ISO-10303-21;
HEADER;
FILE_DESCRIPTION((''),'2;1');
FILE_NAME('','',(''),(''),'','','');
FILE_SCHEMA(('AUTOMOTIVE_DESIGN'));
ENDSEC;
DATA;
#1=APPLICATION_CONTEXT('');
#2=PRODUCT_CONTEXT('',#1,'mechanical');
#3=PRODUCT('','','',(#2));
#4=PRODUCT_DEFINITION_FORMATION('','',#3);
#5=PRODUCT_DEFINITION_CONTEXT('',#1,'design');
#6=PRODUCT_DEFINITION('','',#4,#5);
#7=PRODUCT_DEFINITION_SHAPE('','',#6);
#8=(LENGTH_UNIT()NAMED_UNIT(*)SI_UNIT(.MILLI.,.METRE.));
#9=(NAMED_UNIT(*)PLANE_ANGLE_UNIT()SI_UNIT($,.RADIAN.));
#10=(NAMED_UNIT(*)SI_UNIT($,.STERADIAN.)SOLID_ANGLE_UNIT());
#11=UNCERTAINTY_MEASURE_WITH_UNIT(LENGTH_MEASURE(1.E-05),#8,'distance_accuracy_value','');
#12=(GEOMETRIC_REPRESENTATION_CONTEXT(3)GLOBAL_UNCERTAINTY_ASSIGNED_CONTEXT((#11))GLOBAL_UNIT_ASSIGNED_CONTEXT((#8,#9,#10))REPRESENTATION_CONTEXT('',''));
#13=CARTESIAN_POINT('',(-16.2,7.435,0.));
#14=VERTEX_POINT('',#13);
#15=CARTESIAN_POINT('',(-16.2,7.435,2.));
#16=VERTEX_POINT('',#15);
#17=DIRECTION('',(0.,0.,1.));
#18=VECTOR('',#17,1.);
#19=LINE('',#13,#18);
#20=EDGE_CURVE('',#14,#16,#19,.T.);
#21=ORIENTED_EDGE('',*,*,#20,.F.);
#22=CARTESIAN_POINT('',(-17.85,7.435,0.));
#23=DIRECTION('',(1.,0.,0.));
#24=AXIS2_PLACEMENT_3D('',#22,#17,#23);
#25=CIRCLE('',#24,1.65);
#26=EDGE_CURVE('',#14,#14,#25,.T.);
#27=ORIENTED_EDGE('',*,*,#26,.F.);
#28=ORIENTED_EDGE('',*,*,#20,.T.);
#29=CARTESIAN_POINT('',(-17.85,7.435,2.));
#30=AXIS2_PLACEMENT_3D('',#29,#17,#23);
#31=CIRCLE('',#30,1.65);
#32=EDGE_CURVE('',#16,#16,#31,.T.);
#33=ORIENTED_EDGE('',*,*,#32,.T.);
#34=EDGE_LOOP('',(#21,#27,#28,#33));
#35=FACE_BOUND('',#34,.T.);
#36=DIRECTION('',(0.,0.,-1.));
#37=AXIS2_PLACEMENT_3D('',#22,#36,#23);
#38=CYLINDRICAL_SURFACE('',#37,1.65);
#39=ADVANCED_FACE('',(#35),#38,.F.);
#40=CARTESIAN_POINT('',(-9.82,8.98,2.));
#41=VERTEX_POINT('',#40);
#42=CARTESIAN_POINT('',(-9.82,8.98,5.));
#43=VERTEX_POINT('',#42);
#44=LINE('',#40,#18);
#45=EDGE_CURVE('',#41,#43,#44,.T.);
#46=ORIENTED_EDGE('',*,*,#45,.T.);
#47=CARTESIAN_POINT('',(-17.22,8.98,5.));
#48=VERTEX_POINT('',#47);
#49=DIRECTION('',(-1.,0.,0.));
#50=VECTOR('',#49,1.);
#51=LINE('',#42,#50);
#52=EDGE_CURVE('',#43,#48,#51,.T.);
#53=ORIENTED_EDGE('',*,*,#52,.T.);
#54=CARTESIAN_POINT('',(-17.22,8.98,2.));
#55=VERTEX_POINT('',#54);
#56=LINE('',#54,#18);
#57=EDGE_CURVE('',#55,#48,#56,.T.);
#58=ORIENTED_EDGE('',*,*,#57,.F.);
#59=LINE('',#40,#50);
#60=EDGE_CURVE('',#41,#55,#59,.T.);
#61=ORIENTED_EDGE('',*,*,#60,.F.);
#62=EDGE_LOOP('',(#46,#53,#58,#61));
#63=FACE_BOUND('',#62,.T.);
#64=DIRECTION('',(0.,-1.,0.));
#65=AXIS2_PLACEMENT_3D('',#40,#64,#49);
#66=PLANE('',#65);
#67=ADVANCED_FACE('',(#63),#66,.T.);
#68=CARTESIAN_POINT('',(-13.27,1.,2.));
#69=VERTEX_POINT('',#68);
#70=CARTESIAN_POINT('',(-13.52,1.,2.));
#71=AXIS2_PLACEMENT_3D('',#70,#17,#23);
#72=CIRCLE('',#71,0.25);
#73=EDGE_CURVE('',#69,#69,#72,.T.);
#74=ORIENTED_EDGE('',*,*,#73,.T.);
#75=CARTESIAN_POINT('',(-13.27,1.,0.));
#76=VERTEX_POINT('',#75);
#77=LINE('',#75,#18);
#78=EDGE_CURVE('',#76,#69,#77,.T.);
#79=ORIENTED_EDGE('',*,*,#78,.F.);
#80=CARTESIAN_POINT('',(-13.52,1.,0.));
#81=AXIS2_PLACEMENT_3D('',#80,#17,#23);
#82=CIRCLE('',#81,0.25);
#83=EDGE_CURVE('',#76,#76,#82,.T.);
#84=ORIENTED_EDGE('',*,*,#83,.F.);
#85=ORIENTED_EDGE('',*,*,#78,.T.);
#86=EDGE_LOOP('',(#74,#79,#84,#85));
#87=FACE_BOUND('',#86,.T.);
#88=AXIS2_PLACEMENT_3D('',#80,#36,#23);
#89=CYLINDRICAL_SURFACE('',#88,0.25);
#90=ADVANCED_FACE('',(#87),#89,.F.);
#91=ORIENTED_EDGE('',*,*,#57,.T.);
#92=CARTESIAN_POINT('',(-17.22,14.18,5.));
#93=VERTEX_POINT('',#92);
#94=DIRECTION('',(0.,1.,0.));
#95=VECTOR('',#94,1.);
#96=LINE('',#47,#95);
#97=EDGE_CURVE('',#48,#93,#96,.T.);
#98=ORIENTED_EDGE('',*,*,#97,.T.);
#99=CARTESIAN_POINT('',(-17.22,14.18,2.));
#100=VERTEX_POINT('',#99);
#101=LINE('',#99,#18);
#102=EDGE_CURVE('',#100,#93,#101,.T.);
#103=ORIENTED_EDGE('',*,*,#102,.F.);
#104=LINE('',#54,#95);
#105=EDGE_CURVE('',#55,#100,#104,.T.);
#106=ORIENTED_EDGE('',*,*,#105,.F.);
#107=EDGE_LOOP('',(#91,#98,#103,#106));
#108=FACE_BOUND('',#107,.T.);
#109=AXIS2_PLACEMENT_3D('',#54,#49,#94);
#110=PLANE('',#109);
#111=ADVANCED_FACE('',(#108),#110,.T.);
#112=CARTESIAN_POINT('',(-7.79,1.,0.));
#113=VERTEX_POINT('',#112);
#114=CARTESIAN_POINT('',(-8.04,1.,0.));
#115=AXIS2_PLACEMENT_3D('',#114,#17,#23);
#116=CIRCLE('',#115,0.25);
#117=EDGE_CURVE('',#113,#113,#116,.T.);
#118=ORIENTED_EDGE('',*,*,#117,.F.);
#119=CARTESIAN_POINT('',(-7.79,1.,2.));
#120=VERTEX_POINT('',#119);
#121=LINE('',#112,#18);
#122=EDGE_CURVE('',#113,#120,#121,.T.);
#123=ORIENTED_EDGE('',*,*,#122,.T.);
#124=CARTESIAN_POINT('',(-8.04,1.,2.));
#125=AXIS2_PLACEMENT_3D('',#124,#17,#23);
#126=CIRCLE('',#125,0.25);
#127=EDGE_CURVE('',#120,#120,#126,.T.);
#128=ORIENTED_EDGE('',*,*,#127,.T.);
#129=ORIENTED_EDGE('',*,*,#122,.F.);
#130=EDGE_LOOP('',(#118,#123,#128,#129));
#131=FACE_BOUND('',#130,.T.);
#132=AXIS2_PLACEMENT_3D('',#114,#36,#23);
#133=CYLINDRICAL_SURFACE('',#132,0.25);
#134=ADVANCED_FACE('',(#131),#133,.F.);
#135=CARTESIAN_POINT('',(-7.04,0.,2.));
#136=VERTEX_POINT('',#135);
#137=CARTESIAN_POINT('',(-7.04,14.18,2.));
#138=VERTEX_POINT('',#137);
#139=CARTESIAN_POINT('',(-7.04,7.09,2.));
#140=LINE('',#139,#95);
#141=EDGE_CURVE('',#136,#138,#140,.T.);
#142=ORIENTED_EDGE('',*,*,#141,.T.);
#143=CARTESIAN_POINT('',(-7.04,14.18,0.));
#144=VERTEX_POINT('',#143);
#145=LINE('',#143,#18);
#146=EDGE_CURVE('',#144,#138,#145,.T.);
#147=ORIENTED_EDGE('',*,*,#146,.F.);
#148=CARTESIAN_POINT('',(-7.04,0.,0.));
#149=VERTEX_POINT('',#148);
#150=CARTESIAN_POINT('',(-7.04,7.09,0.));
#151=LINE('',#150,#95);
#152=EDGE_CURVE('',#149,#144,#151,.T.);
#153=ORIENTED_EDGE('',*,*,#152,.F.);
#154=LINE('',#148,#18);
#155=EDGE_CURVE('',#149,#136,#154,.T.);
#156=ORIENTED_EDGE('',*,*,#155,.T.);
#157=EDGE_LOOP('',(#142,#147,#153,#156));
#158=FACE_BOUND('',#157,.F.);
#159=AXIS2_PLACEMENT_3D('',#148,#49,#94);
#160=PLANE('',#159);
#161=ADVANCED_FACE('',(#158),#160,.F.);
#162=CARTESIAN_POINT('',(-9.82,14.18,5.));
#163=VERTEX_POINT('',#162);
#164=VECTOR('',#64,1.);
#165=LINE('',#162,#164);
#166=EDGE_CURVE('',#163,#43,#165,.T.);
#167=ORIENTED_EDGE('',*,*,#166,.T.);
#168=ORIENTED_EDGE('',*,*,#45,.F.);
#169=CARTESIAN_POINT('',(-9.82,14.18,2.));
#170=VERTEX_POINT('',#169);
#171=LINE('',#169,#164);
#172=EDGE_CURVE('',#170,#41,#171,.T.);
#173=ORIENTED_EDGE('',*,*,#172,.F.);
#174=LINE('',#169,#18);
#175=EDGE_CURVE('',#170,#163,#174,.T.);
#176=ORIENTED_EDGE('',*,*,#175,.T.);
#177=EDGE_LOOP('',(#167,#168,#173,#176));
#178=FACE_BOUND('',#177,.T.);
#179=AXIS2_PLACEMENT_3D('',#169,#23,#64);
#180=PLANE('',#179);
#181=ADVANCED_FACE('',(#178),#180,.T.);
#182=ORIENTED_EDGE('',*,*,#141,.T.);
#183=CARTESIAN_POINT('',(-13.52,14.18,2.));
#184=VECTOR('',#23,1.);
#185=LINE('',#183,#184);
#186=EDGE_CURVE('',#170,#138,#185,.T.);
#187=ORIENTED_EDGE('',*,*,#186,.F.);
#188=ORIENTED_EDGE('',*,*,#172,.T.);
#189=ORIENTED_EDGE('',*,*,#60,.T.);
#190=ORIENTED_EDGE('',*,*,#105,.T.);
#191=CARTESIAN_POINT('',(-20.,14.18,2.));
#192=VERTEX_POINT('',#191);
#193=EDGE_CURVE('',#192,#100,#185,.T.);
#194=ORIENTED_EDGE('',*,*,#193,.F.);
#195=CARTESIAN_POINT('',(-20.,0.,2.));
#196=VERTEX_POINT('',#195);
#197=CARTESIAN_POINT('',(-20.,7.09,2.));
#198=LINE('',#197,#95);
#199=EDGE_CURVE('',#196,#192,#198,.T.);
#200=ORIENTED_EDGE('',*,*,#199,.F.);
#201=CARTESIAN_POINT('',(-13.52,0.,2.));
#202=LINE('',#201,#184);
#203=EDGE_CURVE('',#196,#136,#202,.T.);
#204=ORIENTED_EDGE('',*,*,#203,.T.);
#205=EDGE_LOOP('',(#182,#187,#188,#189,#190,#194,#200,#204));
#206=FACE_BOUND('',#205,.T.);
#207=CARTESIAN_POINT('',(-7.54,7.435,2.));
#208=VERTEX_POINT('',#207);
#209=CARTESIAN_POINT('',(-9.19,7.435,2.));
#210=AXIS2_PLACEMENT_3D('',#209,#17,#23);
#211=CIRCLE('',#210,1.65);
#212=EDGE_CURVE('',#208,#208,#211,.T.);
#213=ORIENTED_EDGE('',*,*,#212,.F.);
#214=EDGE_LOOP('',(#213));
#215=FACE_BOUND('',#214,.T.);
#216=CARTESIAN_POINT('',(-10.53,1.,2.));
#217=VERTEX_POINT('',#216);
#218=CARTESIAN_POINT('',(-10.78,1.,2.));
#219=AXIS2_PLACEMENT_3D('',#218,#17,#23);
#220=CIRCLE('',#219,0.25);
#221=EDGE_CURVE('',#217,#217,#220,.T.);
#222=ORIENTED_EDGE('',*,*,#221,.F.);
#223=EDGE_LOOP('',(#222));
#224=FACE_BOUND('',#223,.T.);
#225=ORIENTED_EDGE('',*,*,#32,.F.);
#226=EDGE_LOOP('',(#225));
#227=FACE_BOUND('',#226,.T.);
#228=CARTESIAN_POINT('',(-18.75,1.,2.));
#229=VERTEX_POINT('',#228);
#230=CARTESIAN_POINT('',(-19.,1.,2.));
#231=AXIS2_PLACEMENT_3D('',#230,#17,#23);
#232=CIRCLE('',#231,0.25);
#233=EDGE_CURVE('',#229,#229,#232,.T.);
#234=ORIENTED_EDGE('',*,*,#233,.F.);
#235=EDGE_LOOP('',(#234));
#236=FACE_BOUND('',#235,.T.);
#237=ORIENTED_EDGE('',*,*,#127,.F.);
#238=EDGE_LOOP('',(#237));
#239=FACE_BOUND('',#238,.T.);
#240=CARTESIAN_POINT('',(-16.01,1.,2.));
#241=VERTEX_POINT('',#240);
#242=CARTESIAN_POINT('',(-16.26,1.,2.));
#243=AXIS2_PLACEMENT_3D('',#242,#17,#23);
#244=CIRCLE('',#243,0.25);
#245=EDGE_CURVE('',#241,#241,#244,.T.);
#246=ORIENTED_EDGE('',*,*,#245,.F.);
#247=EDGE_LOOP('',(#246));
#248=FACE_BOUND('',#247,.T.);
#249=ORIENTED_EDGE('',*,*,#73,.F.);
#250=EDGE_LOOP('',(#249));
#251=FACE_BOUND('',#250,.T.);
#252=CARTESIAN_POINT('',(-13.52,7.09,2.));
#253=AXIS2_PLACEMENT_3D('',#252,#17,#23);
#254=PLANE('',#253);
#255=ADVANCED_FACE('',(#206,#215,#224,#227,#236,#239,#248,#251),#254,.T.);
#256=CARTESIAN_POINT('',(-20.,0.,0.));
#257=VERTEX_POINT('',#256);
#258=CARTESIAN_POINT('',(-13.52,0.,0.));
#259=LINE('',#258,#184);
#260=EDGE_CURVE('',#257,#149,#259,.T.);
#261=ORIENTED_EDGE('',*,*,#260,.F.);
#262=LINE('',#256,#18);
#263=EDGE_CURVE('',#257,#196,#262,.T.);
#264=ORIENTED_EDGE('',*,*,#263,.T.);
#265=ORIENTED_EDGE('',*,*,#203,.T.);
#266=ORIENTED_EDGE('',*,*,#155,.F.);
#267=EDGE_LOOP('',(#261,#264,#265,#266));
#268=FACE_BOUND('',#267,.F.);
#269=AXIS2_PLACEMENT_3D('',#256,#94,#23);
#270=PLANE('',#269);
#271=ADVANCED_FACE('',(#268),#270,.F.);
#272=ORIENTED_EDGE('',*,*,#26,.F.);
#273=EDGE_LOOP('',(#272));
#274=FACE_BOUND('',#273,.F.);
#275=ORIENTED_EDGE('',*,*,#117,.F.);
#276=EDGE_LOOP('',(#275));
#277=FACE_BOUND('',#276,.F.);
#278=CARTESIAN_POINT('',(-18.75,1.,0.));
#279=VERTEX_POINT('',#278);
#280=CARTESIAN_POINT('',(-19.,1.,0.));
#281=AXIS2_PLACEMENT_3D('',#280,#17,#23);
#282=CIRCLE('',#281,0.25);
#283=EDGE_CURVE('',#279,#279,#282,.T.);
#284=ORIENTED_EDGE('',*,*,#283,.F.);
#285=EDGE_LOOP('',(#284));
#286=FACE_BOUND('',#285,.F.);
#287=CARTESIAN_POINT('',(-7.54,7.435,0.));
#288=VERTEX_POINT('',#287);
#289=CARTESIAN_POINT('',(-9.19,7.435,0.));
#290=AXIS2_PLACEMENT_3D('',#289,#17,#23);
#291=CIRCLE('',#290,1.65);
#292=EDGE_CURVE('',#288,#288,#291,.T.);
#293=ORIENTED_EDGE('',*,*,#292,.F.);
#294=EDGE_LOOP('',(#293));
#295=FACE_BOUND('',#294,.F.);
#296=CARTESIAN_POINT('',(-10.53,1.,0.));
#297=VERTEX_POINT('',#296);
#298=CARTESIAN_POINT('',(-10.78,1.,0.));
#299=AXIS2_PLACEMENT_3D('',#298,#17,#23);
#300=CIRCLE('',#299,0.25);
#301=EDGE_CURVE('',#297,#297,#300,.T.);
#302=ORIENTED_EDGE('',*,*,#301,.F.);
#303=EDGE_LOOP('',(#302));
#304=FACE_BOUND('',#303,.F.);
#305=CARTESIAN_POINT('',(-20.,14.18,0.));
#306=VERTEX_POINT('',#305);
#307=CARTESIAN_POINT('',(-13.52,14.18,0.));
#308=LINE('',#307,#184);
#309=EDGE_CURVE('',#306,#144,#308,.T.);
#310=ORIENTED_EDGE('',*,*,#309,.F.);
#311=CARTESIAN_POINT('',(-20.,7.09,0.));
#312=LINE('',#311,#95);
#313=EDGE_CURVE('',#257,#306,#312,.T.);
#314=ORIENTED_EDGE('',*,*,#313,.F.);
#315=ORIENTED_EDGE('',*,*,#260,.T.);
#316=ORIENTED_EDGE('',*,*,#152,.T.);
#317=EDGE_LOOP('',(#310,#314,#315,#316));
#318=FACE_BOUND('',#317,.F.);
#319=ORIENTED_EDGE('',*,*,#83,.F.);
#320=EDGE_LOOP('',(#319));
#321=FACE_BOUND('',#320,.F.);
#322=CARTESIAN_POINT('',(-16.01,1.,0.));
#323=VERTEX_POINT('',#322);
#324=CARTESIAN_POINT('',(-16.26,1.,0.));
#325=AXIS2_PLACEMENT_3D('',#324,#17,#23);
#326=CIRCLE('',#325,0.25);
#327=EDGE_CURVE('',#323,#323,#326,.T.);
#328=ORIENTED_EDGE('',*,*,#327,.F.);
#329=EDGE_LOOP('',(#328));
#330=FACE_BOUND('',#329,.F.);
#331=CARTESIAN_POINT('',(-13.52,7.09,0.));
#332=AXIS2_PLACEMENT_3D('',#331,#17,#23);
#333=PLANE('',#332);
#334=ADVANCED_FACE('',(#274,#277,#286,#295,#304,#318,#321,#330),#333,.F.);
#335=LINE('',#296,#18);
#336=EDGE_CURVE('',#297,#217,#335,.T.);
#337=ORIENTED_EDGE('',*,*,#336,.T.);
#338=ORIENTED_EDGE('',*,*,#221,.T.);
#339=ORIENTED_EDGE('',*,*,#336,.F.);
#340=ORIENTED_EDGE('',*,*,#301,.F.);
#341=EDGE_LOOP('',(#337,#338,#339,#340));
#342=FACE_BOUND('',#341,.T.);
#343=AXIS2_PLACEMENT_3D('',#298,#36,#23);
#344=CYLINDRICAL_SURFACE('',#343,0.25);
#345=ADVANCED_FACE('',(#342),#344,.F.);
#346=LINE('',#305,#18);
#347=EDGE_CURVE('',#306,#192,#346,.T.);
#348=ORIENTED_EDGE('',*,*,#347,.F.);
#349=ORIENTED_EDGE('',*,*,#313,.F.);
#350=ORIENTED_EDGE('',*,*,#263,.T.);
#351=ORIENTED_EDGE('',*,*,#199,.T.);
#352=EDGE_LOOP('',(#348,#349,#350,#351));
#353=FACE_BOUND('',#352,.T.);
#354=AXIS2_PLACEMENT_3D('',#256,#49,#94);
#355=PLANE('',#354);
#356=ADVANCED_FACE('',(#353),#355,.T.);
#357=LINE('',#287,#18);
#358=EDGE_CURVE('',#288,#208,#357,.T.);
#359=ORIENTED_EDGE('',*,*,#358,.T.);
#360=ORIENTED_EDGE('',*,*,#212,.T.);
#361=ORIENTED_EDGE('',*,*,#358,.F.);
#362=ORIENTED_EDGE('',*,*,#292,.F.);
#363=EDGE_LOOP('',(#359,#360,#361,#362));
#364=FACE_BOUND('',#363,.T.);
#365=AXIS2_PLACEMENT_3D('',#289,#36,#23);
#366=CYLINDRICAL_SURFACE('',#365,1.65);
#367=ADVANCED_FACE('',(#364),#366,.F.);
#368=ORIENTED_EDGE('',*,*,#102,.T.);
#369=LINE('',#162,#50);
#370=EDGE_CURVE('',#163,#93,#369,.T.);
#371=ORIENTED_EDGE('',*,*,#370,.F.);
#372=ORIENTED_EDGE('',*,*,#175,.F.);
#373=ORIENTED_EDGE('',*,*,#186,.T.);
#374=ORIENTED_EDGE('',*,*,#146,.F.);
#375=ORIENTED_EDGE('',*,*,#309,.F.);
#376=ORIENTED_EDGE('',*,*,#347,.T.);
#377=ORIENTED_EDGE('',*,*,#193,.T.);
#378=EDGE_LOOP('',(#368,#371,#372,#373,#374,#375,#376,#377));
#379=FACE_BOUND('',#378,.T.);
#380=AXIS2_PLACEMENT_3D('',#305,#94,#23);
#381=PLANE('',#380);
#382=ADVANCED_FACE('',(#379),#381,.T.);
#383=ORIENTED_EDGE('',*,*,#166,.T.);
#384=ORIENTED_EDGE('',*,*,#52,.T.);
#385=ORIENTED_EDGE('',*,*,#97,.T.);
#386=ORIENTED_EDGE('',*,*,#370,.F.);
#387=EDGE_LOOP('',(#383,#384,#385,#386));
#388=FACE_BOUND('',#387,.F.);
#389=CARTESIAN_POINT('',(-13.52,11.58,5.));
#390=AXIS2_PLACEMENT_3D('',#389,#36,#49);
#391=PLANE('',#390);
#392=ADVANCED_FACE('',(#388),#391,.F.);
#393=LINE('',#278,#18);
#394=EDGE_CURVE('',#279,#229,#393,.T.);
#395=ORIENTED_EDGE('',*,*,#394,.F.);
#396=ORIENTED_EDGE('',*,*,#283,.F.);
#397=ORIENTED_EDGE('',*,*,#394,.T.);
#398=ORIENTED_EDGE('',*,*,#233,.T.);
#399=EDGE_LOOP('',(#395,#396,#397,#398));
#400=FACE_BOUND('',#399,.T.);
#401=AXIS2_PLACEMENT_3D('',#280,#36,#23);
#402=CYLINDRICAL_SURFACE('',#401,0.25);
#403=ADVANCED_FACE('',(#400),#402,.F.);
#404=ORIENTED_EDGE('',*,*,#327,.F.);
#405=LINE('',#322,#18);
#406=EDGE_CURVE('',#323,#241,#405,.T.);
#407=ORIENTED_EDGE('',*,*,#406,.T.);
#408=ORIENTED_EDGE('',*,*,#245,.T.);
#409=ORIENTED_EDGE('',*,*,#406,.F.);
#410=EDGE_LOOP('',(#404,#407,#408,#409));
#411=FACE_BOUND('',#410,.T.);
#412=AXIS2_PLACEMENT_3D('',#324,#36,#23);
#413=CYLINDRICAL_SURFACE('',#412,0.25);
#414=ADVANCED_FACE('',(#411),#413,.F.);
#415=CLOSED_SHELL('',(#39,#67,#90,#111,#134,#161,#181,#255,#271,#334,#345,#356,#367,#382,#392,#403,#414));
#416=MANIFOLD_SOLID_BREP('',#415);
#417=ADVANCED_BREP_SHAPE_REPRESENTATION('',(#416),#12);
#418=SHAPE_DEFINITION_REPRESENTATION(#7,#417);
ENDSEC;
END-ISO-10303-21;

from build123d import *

# Parameters (mm, degrees)
EXTRUDE001_DEPTH = 3
SKETCH_W         = 12.96
SKETCH_H         = 14.18
SKETCH_R         = 0.25
SKETCH_R_2       = 1.65
EXTRUDE_DEPTH    = 2


with BuildPart() as extrude_microusbbreakout_parts:
    # Sketch001 → Extrude001 (new body)
    with BuildSketch(Plane.XY):
        Polygon((10.18, 14.18), (10.18, 8.98), (2.78, 8.98), (2.78, 14.18), (6.48, 14.18), align=None)
    extrude(amount=EXTRUDE001_DEPTH)


with BuildPart() as extrude_microusbbreakout_parts_1:
    # Extrude001 placement: moved
    add(extrude_microusbbreakout_parts.part.moved(Location((0, 0, 2))))


with BuildPart() as fusion_microusbbreakout:
    # Sketch → Extrude (new body)
    with BuildSketch(Plane.XY):
        with Locations((6.48, 7.09)):
            Rectangle(SKETCH_W, SKETCH_H)
        with Locations((1, 1)):
            Circle(SKETCH_R, mode=Mode.SUBTRACT)
        with Locations((3.74, 1)):
            Circle(SKETCH_R, mode=Mode.SUBTRACT)
        with Locations((6.48, 1)):
            Circle(SKETCH_R, mode=Mode.SUBTRACT)
        with Locations((9.22, 1)):
            Circle(SKETCH_R, mode=Mode.SUBTRACT)
        with Locations((11.96, 1)):
            Circle(SKETCH_R, mode=Mode.SUBTRACT)
        with Locations((2.15, 7.435)):
            Circle(SKETCH_R_2, mode=Mode.SUBTRACT)
        with Locations((10.81, 7.435)):
            Circle(SKETCH_R_2, mode=Mode.SUBTRACT)
    extrude(amount=EXTRUDE_DEPTH)

    # Fusion: union Extrude_MicroUSBBreakout_parts
    add(extrude_microusbbreakout_parts_1.part)


with BuildPart() as fusion_microusbbreakout_1:
    # Fusion placement: moved
    add(fusion_microusbbreakout.part.moved(Location((-20, 0, 0))))


solid = fusion_microusbbreakout_1.part
